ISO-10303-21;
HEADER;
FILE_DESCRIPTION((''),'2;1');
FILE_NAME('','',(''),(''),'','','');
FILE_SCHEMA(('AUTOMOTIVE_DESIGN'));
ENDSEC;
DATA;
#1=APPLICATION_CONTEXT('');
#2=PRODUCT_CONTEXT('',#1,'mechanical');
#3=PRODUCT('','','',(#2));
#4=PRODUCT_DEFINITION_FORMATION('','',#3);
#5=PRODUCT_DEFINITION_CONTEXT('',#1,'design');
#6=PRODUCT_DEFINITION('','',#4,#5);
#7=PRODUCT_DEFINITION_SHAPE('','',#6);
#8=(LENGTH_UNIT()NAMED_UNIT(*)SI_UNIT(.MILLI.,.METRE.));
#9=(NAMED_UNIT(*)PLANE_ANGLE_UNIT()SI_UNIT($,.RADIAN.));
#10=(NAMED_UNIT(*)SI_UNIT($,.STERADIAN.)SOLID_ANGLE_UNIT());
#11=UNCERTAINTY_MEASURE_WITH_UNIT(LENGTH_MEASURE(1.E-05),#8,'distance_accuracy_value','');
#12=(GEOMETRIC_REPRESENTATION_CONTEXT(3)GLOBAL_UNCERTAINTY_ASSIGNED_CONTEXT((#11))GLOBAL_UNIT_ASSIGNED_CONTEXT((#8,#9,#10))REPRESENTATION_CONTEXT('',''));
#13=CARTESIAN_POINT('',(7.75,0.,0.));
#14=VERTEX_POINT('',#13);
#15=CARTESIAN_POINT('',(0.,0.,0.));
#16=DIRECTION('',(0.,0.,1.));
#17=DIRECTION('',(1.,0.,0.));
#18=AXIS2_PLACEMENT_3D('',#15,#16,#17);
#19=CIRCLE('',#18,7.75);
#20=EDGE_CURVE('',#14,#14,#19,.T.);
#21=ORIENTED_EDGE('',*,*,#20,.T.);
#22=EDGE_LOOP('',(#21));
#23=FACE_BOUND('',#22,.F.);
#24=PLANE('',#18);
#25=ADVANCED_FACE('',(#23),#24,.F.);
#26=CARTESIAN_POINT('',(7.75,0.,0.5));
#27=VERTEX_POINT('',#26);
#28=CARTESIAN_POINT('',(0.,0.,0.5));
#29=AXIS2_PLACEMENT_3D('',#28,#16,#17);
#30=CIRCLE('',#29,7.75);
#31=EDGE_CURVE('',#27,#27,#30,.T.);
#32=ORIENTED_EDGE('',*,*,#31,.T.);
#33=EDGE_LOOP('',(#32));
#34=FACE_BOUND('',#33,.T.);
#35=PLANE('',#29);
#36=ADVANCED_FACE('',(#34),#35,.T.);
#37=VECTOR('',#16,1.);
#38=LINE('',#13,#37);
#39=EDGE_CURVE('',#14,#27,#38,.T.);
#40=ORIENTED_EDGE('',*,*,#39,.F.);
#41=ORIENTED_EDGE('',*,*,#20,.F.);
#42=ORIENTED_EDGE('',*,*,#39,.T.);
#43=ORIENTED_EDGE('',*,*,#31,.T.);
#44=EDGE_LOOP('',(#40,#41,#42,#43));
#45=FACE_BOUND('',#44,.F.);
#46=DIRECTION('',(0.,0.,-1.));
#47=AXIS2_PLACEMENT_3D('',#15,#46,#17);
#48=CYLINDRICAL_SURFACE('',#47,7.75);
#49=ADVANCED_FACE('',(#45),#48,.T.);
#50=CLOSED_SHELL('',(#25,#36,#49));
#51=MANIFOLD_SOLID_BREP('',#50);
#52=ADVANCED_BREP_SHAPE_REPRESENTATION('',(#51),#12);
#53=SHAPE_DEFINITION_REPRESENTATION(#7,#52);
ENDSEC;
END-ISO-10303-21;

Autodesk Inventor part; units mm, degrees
ref_plane "YZ Plane" through (0, 0, 0) normal (1, 0, 0) x (0, 1, 0)
ref_plane "XZ Plane" through (0, 0, 0) normal (0, 1, 0) x (-1, 0, 0)
ref_plane "XY Plane" through (0, 0, 0) normal (0, 0, 1) x (1, 0, 0)
sketch "Sketch1" plane through (0, 0, 0) normal (0, 0, 1) x (1, 0, 0)
  circle A0 centre (0, 0) radius 7.75
  dimension "d0" = 15.5
extrude "Extrusion1" add sketch "Sketch1" along normal blind 0.5
properties part number "CapuleScreen" material "Stainless Steel"
